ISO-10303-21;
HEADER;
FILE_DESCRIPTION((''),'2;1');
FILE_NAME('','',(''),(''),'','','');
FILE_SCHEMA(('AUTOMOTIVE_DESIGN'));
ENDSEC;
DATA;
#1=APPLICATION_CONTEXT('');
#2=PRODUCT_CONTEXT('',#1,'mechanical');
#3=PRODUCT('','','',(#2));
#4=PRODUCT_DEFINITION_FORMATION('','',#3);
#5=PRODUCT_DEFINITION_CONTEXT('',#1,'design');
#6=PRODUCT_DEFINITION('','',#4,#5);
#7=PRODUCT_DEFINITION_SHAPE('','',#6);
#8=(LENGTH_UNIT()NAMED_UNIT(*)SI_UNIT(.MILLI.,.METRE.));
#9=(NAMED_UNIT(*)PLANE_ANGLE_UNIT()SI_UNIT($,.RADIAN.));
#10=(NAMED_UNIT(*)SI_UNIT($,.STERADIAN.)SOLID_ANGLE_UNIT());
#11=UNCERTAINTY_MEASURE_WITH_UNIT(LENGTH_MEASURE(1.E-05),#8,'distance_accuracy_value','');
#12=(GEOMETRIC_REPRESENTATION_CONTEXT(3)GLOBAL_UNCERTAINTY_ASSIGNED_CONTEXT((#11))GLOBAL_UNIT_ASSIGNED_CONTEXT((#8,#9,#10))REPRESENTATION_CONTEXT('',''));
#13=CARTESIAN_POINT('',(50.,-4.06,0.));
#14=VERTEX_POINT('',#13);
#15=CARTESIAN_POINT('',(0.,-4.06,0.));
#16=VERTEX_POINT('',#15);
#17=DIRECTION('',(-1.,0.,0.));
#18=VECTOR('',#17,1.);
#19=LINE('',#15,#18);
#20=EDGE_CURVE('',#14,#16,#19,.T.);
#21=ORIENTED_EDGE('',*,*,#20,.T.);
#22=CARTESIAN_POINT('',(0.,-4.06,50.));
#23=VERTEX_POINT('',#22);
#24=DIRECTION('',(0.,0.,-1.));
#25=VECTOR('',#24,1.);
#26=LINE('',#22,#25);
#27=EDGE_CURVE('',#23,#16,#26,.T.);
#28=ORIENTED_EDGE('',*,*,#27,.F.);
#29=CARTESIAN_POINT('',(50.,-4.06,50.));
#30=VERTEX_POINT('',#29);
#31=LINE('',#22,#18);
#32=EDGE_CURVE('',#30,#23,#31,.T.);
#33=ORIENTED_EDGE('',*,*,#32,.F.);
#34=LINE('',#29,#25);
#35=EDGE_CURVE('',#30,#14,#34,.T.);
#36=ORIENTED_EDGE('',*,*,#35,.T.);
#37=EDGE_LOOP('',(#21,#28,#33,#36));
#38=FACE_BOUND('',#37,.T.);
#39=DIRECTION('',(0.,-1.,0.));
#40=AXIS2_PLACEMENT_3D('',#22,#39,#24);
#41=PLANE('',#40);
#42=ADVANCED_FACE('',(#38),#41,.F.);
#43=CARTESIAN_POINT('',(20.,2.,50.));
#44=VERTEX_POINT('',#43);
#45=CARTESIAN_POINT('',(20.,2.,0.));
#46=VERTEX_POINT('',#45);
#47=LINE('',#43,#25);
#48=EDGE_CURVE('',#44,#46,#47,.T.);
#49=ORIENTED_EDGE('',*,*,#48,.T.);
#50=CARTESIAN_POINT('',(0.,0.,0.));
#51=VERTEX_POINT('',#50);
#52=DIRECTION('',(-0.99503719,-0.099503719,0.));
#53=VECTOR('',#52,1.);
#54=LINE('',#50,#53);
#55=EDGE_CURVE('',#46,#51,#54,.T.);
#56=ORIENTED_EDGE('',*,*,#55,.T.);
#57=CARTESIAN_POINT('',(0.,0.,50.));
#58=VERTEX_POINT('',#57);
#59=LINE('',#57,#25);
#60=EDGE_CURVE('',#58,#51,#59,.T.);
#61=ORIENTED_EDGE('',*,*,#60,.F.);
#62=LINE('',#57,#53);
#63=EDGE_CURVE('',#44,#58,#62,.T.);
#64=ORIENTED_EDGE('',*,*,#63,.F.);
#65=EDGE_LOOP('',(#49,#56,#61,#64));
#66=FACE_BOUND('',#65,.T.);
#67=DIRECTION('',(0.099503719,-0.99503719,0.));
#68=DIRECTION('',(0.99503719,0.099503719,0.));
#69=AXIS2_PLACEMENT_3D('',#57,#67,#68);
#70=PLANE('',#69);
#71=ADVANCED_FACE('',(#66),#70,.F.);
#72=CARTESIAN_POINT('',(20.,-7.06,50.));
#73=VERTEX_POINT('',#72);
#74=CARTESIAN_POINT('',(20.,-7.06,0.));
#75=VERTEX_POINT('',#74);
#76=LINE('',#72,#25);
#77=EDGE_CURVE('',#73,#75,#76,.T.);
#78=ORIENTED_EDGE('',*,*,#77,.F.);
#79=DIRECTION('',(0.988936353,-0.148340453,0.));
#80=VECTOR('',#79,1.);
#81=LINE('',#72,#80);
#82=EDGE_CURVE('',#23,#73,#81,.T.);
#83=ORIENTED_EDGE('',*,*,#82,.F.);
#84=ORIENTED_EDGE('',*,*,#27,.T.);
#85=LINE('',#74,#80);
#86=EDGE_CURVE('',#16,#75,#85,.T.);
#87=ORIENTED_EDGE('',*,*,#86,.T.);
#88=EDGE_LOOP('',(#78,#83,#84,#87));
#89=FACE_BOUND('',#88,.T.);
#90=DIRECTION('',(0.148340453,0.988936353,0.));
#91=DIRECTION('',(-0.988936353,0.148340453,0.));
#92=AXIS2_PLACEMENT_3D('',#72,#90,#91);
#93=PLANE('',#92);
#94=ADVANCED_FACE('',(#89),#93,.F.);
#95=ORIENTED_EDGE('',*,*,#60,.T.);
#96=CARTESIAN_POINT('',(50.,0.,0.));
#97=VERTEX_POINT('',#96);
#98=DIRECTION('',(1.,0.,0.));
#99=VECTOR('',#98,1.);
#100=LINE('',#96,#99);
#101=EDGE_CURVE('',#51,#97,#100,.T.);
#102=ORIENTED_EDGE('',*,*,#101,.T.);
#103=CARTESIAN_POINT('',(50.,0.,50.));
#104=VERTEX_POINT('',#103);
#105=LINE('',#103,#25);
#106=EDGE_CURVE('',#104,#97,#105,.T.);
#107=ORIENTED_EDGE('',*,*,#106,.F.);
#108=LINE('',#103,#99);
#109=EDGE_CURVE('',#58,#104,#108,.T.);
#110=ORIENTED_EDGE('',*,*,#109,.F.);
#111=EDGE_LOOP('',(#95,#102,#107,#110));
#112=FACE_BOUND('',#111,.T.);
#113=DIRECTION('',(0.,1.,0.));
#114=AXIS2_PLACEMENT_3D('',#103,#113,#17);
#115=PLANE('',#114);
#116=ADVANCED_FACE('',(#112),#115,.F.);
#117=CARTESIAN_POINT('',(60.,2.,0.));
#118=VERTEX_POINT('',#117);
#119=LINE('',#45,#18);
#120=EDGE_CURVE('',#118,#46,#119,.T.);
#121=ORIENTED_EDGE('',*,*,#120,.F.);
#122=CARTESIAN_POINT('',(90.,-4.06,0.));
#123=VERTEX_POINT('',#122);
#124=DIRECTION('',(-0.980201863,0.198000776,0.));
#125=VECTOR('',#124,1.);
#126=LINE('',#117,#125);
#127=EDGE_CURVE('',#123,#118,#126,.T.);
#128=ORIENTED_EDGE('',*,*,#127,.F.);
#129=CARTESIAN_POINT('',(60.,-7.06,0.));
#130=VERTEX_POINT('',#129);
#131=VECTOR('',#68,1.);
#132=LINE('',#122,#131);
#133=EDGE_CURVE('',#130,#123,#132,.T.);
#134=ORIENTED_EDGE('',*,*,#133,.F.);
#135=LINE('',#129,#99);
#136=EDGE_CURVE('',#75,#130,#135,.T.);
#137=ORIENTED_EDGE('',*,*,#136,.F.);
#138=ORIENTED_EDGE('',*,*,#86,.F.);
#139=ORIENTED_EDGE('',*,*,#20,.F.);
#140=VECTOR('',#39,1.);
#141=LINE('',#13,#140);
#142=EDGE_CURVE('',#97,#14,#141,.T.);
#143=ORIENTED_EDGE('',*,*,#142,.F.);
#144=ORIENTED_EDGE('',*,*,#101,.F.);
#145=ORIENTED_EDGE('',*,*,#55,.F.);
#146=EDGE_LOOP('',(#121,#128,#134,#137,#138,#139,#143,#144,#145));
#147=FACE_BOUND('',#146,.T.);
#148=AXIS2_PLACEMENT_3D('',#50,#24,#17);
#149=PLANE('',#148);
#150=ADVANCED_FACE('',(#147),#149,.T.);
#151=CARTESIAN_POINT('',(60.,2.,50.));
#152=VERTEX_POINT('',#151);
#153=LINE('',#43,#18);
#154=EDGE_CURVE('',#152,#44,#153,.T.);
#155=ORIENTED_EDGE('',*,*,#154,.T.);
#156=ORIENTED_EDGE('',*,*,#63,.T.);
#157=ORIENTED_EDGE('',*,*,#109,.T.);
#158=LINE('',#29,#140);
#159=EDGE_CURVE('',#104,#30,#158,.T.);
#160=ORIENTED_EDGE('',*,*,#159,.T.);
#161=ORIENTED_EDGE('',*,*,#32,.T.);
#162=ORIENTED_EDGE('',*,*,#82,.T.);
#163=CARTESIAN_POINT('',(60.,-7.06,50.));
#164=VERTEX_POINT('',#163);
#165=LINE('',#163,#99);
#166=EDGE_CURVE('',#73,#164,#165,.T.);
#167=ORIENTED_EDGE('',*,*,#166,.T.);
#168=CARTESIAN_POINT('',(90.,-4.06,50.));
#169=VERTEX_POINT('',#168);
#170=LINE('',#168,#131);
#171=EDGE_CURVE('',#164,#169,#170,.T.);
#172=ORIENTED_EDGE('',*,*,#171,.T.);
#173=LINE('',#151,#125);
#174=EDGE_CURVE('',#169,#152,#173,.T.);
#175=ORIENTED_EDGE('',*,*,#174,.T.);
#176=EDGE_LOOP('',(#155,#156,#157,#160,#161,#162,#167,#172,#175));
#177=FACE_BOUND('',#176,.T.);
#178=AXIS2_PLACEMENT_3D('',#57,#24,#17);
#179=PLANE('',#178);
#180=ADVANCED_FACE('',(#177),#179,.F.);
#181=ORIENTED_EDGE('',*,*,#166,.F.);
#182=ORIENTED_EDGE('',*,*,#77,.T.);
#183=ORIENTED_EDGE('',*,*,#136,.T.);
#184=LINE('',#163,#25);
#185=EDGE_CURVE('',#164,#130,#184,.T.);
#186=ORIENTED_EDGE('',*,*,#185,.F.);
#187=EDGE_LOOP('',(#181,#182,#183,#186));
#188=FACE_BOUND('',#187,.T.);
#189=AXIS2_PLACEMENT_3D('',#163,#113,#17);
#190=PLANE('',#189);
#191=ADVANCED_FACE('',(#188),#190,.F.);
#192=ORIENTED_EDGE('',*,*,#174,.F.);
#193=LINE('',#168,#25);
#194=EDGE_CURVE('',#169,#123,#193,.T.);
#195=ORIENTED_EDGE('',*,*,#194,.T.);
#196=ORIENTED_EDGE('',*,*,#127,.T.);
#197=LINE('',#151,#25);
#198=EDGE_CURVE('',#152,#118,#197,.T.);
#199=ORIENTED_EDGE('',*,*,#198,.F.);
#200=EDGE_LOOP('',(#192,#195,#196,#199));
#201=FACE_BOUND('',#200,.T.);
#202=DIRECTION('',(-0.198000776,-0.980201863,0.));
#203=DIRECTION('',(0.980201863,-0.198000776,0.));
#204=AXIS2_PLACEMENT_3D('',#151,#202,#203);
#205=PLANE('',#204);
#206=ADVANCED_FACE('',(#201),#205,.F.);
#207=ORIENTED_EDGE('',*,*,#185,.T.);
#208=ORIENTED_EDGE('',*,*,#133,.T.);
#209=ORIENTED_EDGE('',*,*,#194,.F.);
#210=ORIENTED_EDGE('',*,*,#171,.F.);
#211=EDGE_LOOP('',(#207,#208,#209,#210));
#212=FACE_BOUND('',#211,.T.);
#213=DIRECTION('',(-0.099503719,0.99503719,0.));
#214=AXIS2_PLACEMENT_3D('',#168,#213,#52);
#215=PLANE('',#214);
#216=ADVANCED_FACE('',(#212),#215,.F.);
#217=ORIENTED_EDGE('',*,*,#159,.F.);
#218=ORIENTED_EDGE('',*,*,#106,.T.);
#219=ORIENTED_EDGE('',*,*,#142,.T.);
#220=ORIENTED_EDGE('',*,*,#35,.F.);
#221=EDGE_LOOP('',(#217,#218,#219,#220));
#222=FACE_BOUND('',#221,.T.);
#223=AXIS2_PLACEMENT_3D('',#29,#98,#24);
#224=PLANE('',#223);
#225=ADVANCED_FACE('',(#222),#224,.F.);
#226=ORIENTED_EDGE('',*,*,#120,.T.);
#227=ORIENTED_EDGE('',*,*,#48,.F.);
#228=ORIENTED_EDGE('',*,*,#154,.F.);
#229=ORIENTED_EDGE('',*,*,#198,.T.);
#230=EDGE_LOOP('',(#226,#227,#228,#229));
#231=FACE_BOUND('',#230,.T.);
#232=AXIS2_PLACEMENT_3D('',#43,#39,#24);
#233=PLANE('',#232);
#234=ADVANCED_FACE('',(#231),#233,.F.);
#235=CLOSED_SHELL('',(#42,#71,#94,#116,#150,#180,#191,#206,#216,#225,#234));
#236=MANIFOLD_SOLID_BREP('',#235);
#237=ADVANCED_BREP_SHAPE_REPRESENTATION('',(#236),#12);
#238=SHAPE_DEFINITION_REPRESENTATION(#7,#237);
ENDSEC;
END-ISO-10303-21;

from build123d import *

# Parameters (mm, degrees)
P_IDAT_VYSUNUT_M1_DEPTH = 50


with BuildPart() as part:
    # Skica1 → Přidat vysunutím1 (new body)
    with BuildSketch(Plane.XY):
        Polygon((0, 0), (20, 2), (60, 2), (90, -4.06), (60, -7.06), (20, -7.06), (0, -4.06), (50, -4.06), (50, 0), align=None)
    extrude(amount=P_IDAT_VYSUNUT_M1_DEPTH)


solid = part.part
